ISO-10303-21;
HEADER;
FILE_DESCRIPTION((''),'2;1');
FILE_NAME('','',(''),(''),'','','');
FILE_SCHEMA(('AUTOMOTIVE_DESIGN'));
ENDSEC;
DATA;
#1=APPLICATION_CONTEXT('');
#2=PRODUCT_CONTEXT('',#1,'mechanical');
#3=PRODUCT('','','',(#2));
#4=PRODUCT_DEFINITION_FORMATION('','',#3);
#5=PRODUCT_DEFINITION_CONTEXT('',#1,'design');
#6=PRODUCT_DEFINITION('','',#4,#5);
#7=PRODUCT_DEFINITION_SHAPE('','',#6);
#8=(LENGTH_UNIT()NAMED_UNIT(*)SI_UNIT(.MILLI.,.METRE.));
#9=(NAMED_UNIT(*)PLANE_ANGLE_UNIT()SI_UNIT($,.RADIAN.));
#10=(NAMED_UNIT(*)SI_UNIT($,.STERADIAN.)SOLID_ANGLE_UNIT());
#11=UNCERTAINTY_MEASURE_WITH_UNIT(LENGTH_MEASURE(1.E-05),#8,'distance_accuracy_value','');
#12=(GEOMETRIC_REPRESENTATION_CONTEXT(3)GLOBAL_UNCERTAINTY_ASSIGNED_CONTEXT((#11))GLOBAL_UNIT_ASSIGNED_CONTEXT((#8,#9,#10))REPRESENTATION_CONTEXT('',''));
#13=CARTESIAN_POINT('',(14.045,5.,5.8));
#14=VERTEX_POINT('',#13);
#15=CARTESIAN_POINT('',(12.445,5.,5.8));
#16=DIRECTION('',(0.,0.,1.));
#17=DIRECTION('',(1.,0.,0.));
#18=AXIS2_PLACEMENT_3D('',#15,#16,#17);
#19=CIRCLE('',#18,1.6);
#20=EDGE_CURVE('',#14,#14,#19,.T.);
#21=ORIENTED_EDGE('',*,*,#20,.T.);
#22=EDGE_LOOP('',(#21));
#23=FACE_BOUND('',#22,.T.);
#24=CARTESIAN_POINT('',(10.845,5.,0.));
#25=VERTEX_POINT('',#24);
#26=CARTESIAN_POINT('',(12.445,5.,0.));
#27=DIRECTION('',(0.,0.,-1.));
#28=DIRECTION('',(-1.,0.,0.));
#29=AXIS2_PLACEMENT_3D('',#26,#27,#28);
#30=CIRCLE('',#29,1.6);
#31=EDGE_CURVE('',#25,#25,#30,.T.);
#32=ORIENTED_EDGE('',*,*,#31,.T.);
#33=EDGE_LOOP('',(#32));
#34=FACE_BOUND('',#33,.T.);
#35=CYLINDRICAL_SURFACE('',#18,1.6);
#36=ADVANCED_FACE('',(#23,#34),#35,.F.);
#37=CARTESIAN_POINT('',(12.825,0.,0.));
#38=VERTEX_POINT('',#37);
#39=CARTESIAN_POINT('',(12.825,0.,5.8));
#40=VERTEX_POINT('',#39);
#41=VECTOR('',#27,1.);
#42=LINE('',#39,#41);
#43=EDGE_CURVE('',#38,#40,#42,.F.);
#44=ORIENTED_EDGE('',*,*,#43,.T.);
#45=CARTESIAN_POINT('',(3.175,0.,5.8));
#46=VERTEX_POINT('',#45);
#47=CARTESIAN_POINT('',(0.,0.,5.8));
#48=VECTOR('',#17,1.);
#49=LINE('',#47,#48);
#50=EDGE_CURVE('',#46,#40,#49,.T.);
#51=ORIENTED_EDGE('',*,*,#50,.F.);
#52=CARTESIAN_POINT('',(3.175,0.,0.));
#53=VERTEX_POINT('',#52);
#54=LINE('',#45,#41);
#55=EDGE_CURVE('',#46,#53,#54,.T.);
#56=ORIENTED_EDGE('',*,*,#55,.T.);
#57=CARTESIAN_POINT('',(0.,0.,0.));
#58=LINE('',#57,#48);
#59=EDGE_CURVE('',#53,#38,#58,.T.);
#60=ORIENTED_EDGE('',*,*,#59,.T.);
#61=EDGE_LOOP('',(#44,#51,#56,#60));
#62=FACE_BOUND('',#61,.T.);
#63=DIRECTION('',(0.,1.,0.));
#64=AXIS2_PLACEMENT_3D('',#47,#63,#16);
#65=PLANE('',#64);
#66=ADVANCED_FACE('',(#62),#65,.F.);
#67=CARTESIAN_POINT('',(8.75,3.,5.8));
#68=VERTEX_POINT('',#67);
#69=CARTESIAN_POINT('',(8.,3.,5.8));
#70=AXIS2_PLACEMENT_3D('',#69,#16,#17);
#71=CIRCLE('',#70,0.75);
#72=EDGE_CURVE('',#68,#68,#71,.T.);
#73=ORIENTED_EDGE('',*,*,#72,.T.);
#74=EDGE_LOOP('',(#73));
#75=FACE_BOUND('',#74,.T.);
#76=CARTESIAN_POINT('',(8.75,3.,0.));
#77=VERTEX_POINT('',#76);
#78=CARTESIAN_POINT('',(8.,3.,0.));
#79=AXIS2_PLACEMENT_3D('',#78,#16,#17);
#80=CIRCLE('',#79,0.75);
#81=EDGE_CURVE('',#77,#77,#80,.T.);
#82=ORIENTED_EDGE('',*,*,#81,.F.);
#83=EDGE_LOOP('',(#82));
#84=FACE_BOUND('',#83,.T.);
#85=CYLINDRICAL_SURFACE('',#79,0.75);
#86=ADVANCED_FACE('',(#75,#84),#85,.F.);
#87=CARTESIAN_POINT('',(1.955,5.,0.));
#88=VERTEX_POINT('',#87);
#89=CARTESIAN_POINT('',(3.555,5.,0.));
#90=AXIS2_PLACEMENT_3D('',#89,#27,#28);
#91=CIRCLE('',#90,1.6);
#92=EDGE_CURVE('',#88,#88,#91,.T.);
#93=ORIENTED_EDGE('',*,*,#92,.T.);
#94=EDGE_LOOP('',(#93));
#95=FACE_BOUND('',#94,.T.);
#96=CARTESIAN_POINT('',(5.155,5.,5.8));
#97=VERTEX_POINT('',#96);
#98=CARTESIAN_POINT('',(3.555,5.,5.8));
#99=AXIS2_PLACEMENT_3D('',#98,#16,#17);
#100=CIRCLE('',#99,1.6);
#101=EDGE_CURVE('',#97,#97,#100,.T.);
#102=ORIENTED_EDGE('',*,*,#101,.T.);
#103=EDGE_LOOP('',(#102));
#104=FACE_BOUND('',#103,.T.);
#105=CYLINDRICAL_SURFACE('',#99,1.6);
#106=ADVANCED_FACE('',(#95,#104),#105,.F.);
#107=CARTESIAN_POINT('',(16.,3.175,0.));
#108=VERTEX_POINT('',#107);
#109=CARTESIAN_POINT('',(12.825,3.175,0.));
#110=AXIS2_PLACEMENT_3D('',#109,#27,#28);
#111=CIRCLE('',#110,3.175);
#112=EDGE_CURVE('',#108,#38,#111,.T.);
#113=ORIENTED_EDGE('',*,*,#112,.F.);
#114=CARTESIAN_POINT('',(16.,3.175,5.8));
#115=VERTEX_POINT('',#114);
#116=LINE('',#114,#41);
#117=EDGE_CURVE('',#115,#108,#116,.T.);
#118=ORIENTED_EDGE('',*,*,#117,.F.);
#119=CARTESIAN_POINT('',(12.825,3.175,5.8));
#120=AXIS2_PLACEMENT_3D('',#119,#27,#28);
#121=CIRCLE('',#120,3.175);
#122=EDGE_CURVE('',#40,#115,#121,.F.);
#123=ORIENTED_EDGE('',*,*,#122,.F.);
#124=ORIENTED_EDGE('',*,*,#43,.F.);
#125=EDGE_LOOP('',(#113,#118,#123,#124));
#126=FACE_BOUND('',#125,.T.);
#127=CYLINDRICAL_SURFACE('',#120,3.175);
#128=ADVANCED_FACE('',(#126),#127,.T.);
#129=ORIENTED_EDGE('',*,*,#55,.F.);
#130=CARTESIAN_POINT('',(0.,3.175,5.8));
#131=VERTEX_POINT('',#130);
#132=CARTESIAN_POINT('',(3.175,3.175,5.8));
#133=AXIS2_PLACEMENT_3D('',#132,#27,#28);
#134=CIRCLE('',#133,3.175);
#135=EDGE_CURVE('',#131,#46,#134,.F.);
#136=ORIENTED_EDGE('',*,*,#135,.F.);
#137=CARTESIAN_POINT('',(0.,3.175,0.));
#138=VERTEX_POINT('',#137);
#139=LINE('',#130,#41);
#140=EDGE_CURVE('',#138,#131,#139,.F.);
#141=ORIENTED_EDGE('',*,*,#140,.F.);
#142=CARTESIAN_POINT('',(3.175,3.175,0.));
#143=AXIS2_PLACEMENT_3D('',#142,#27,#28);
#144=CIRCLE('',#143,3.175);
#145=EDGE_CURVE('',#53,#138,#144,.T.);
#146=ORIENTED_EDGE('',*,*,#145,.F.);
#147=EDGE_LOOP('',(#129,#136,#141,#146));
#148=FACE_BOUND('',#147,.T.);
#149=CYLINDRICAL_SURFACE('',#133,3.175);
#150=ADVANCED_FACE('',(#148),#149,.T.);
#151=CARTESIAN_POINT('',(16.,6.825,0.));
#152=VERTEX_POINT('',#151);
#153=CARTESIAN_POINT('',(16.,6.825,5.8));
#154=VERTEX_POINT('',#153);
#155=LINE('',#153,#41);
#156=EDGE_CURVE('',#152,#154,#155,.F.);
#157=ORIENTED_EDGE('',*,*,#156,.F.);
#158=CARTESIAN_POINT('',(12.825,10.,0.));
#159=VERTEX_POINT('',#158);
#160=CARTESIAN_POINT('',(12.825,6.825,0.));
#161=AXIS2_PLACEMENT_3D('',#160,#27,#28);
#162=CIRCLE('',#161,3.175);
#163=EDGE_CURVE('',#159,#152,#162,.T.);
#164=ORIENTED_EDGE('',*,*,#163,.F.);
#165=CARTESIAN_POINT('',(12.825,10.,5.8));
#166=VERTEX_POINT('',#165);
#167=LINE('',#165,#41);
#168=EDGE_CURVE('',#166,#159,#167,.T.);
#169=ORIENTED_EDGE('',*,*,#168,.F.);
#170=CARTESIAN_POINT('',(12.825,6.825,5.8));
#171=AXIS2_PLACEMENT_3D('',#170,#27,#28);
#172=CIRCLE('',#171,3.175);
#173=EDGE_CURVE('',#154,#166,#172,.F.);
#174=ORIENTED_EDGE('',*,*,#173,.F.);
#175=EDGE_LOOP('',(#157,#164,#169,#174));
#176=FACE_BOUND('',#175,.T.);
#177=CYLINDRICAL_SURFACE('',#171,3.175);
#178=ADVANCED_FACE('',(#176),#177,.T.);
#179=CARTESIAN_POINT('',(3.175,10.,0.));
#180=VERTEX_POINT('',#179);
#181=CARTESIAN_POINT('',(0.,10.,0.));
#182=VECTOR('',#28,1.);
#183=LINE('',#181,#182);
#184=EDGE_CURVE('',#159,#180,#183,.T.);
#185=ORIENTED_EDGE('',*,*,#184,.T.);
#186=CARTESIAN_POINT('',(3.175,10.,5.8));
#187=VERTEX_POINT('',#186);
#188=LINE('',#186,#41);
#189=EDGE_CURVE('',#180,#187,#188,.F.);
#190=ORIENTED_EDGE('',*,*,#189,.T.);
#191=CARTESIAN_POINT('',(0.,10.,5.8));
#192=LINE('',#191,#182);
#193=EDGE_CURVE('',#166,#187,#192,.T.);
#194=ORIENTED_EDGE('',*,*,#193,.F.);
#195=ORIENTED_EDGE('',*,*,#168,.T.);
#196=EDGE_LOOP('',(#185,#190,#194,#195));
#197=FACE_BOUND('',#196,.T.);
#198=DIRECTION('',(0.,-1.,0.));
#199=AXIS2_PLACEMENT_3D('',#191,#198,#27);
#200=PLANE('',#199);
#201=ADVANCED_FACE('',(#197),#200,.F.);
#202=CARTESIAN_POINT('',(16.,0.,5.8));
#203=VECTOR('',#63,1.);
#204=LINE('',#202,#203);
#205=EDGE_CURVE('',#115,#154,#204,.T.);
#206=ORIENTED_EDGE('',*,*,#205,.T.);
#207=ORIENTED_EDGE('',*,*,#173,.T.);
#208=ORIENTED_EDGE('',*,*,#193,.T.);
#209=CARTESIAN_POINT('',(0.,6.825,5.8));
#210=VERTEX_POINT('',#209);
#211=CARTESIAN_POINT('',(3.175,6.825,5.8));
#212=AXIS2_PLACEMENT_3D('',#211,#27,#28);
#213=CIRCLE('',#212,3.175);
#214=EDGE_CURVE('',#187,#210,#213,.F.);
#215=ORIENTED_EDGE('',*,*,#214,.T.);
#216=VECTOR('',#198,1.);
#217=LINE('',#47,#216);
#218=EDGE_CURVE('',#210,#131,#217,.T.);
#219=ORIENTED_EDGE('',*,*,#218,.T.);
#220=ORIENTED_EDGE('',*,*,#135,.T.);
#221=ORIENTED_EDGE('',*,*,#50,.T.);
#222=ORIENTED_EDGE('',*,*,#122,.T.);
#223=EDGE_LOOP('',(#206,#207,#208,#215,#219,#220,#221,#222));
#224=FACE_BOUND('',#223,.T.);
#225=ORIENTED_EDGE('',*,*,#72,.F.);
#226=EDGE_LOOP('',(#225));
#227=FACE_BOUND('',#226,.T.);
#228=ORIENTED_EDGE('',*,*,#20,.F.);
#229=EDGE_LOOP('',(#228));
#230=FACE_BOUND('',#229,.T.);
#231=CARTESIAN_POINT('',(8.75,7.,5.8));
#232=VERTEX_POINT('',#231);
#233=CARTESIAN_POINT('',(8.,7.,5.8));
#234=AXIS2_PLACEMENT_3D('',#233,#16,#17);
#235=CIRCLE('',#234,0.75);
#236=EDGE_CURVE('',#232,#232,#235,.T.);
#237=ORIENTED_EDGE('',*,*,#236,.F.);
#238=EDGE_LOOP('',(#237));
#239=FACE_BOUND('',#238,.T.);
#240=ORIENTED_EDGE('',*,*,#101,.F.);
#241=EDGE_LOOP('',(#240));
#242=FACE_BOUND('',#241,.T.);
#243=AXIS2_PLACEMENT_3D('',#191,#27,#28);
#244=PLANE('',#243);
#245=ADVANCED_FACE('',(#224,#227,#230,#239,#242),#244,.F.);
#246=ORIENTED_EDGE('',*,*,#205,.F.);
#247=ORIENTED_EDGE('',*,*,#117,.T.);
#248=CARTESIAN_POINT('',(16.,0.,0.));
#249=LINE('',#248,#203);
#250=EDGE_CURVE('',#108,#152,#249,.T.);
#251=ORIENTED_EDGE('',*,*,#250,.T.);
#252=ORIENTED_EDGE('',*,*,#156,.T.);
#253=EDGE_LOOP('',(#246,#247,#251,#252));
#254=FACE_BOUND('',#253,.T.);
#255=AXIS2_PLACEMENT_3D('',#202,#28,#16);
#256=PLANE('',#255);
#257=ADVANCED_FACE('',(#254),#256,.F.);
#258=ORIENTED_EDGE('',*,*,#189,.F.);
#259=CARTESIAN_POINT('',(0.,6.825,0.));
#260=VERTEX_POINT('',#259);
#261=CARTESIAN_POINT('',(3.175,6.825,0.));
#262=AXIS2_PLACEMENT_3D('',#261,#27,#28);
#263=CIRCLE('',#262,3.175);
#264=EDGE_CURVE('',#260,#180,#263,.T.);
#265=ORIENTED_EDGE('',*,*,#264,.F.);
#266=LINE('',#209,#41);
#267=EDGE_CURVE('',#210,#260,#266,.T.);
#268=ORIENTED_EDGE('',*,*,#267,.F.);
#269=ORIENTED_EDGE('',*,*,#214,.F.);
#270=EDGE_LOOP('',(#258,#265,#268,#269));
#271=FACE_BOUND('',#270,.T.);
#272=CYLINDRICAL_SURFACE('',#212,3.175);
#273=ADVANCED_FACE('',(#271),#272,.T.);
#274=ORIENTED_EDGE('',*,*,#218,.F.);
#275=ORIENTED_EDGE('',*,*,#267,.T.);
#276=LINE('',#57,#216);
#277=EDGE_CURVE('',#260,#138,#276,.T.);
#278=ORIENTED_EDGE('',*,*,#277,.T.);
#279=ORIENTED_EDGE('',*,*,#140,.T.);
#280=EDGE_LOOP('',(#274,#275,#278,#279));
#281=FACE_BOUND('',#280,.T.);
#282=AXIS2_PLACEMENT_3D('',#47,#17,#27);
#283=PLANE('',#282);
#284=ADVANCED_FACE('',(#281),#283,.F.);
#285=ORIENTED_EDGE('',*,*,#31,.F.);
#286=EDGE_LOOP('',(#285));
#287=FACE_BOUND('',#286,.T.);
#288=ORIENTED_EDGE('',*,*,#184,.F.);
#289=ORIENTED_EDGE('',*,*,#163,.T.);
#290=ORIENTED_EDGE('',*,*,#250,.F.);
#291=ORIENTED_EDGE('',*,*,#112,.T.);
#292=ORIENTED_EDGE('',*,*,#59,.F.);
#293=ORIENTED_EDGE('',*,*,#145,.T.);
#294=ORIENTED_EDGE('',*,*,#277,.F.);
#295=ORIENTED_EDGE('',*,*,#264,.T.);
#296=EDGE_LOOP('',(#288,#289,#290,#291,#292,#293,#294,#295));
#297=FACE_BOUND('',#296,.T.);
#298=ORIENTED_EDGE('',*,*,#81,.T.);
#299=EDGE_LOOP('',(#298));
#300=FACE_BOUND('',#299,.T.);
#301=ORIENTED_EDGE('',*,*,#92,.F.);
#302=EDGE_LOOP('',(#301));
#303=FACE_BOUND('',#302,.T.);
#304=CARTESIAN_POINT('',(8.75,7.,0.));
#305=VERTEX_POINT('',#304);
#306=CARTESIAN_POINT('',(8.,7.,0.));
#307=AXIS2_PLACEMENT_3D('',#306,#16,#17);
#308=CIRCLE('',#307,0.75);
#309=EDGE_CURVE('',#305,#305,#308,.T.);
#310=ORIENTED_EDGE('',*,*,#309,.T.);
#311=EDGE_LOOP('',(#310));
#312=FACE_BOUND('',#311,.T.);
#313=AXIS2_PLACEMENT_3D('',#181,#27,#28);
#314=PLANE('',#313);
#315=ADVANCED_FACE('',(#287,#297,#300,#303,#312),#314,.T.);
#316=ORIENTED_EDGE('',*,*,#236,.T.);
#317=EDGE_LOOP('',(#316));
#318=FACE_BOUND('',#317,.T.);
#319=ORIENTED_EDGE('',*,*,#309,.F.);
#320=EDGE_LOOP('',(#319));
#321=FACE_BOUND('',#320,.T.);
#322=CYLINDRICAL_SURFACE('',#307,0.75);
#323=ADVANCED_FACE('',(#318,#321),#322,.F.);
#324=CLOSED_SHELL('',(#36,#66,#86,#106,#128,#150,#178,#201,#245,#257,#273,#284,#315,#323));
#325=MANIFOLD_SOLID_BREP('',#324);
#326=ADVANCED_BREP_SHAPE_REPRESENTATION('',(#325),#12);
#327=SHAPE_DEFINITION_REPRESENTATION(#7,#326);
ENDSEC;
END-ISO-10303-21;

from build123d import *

# Parameters (mm, degrees)
SKETCH1_W                = 16
SKETCH1_H                = 10
BOSS_EXTRUDE1_DEPTH      = 5.8
SKETCH2_R                = 0.75
CUT_EXTRUDE1_DEPTH       = 5.8
M3_CLEARANCE_HOLE1_D     = 3.2
M3_CLEARANCE_HOLE1_DEPTH = 36.28
M3_CLEARANCE_HOLE1_TIP   = 0.96137699
FILLET1_R                = 3.175


with BuildPart() as part:
    # Sketch1 → Boss-Extrude1 (new body)
    with BuildSketch(Plane.XY):
        with Locations((8, 5)):
            Rectangle(SKETCH1_W, SKETCH1_H)
    extrude(amount=BOSS_EXTRUDE1_DEPTH)

    # Sketch2 → Cut-Extrude1 (cut)
    with BuildSketch(Plane.XY.offset(5.8)):
        with Locations((8, 7)):
            Circle(SKETCH2_R)
        with Locations((8, 3)):
            Circle(SKETCH2_R)
    extrude(amount=-CUT_EXTRUDE1_DEPTH, mode=Mode.SUBTRACT)

    # M3 Clearance Hole1
    with Locations(Plane.XY.offset(5.8)):
        with Locations((3.555, 5), (12.445, 5)):
            Hole(M3_CLEARANCE_HOLE1_D / 2, depth=M3_CLEARANCE_HOLE1_DEPTH)
            with Locations((0, 0, -(M3_CLEARANCE_HOLE1_DEPTH + M3_CLEARANCE_HOLE1_TIP / 2))):  # 118° drill point
                Cone(0, M3_CLEARANCE_HOLE1_D / 2, M3_CLEARANCE_HOLE1_TIP, mode=Mode.SUBTRACT)

    # Fillet1
    fillet1_edges = [part.edges().sort_by_distance(p)[0] for p in [
        (0, 10, 2.9),
        (16, 10, 2.9),
        (16, 0, 2.9),
        (0, 0, 2.9),
    ]]
    fillet(fillet1_edges, radius=FILLET1_R)


solid = part.part
